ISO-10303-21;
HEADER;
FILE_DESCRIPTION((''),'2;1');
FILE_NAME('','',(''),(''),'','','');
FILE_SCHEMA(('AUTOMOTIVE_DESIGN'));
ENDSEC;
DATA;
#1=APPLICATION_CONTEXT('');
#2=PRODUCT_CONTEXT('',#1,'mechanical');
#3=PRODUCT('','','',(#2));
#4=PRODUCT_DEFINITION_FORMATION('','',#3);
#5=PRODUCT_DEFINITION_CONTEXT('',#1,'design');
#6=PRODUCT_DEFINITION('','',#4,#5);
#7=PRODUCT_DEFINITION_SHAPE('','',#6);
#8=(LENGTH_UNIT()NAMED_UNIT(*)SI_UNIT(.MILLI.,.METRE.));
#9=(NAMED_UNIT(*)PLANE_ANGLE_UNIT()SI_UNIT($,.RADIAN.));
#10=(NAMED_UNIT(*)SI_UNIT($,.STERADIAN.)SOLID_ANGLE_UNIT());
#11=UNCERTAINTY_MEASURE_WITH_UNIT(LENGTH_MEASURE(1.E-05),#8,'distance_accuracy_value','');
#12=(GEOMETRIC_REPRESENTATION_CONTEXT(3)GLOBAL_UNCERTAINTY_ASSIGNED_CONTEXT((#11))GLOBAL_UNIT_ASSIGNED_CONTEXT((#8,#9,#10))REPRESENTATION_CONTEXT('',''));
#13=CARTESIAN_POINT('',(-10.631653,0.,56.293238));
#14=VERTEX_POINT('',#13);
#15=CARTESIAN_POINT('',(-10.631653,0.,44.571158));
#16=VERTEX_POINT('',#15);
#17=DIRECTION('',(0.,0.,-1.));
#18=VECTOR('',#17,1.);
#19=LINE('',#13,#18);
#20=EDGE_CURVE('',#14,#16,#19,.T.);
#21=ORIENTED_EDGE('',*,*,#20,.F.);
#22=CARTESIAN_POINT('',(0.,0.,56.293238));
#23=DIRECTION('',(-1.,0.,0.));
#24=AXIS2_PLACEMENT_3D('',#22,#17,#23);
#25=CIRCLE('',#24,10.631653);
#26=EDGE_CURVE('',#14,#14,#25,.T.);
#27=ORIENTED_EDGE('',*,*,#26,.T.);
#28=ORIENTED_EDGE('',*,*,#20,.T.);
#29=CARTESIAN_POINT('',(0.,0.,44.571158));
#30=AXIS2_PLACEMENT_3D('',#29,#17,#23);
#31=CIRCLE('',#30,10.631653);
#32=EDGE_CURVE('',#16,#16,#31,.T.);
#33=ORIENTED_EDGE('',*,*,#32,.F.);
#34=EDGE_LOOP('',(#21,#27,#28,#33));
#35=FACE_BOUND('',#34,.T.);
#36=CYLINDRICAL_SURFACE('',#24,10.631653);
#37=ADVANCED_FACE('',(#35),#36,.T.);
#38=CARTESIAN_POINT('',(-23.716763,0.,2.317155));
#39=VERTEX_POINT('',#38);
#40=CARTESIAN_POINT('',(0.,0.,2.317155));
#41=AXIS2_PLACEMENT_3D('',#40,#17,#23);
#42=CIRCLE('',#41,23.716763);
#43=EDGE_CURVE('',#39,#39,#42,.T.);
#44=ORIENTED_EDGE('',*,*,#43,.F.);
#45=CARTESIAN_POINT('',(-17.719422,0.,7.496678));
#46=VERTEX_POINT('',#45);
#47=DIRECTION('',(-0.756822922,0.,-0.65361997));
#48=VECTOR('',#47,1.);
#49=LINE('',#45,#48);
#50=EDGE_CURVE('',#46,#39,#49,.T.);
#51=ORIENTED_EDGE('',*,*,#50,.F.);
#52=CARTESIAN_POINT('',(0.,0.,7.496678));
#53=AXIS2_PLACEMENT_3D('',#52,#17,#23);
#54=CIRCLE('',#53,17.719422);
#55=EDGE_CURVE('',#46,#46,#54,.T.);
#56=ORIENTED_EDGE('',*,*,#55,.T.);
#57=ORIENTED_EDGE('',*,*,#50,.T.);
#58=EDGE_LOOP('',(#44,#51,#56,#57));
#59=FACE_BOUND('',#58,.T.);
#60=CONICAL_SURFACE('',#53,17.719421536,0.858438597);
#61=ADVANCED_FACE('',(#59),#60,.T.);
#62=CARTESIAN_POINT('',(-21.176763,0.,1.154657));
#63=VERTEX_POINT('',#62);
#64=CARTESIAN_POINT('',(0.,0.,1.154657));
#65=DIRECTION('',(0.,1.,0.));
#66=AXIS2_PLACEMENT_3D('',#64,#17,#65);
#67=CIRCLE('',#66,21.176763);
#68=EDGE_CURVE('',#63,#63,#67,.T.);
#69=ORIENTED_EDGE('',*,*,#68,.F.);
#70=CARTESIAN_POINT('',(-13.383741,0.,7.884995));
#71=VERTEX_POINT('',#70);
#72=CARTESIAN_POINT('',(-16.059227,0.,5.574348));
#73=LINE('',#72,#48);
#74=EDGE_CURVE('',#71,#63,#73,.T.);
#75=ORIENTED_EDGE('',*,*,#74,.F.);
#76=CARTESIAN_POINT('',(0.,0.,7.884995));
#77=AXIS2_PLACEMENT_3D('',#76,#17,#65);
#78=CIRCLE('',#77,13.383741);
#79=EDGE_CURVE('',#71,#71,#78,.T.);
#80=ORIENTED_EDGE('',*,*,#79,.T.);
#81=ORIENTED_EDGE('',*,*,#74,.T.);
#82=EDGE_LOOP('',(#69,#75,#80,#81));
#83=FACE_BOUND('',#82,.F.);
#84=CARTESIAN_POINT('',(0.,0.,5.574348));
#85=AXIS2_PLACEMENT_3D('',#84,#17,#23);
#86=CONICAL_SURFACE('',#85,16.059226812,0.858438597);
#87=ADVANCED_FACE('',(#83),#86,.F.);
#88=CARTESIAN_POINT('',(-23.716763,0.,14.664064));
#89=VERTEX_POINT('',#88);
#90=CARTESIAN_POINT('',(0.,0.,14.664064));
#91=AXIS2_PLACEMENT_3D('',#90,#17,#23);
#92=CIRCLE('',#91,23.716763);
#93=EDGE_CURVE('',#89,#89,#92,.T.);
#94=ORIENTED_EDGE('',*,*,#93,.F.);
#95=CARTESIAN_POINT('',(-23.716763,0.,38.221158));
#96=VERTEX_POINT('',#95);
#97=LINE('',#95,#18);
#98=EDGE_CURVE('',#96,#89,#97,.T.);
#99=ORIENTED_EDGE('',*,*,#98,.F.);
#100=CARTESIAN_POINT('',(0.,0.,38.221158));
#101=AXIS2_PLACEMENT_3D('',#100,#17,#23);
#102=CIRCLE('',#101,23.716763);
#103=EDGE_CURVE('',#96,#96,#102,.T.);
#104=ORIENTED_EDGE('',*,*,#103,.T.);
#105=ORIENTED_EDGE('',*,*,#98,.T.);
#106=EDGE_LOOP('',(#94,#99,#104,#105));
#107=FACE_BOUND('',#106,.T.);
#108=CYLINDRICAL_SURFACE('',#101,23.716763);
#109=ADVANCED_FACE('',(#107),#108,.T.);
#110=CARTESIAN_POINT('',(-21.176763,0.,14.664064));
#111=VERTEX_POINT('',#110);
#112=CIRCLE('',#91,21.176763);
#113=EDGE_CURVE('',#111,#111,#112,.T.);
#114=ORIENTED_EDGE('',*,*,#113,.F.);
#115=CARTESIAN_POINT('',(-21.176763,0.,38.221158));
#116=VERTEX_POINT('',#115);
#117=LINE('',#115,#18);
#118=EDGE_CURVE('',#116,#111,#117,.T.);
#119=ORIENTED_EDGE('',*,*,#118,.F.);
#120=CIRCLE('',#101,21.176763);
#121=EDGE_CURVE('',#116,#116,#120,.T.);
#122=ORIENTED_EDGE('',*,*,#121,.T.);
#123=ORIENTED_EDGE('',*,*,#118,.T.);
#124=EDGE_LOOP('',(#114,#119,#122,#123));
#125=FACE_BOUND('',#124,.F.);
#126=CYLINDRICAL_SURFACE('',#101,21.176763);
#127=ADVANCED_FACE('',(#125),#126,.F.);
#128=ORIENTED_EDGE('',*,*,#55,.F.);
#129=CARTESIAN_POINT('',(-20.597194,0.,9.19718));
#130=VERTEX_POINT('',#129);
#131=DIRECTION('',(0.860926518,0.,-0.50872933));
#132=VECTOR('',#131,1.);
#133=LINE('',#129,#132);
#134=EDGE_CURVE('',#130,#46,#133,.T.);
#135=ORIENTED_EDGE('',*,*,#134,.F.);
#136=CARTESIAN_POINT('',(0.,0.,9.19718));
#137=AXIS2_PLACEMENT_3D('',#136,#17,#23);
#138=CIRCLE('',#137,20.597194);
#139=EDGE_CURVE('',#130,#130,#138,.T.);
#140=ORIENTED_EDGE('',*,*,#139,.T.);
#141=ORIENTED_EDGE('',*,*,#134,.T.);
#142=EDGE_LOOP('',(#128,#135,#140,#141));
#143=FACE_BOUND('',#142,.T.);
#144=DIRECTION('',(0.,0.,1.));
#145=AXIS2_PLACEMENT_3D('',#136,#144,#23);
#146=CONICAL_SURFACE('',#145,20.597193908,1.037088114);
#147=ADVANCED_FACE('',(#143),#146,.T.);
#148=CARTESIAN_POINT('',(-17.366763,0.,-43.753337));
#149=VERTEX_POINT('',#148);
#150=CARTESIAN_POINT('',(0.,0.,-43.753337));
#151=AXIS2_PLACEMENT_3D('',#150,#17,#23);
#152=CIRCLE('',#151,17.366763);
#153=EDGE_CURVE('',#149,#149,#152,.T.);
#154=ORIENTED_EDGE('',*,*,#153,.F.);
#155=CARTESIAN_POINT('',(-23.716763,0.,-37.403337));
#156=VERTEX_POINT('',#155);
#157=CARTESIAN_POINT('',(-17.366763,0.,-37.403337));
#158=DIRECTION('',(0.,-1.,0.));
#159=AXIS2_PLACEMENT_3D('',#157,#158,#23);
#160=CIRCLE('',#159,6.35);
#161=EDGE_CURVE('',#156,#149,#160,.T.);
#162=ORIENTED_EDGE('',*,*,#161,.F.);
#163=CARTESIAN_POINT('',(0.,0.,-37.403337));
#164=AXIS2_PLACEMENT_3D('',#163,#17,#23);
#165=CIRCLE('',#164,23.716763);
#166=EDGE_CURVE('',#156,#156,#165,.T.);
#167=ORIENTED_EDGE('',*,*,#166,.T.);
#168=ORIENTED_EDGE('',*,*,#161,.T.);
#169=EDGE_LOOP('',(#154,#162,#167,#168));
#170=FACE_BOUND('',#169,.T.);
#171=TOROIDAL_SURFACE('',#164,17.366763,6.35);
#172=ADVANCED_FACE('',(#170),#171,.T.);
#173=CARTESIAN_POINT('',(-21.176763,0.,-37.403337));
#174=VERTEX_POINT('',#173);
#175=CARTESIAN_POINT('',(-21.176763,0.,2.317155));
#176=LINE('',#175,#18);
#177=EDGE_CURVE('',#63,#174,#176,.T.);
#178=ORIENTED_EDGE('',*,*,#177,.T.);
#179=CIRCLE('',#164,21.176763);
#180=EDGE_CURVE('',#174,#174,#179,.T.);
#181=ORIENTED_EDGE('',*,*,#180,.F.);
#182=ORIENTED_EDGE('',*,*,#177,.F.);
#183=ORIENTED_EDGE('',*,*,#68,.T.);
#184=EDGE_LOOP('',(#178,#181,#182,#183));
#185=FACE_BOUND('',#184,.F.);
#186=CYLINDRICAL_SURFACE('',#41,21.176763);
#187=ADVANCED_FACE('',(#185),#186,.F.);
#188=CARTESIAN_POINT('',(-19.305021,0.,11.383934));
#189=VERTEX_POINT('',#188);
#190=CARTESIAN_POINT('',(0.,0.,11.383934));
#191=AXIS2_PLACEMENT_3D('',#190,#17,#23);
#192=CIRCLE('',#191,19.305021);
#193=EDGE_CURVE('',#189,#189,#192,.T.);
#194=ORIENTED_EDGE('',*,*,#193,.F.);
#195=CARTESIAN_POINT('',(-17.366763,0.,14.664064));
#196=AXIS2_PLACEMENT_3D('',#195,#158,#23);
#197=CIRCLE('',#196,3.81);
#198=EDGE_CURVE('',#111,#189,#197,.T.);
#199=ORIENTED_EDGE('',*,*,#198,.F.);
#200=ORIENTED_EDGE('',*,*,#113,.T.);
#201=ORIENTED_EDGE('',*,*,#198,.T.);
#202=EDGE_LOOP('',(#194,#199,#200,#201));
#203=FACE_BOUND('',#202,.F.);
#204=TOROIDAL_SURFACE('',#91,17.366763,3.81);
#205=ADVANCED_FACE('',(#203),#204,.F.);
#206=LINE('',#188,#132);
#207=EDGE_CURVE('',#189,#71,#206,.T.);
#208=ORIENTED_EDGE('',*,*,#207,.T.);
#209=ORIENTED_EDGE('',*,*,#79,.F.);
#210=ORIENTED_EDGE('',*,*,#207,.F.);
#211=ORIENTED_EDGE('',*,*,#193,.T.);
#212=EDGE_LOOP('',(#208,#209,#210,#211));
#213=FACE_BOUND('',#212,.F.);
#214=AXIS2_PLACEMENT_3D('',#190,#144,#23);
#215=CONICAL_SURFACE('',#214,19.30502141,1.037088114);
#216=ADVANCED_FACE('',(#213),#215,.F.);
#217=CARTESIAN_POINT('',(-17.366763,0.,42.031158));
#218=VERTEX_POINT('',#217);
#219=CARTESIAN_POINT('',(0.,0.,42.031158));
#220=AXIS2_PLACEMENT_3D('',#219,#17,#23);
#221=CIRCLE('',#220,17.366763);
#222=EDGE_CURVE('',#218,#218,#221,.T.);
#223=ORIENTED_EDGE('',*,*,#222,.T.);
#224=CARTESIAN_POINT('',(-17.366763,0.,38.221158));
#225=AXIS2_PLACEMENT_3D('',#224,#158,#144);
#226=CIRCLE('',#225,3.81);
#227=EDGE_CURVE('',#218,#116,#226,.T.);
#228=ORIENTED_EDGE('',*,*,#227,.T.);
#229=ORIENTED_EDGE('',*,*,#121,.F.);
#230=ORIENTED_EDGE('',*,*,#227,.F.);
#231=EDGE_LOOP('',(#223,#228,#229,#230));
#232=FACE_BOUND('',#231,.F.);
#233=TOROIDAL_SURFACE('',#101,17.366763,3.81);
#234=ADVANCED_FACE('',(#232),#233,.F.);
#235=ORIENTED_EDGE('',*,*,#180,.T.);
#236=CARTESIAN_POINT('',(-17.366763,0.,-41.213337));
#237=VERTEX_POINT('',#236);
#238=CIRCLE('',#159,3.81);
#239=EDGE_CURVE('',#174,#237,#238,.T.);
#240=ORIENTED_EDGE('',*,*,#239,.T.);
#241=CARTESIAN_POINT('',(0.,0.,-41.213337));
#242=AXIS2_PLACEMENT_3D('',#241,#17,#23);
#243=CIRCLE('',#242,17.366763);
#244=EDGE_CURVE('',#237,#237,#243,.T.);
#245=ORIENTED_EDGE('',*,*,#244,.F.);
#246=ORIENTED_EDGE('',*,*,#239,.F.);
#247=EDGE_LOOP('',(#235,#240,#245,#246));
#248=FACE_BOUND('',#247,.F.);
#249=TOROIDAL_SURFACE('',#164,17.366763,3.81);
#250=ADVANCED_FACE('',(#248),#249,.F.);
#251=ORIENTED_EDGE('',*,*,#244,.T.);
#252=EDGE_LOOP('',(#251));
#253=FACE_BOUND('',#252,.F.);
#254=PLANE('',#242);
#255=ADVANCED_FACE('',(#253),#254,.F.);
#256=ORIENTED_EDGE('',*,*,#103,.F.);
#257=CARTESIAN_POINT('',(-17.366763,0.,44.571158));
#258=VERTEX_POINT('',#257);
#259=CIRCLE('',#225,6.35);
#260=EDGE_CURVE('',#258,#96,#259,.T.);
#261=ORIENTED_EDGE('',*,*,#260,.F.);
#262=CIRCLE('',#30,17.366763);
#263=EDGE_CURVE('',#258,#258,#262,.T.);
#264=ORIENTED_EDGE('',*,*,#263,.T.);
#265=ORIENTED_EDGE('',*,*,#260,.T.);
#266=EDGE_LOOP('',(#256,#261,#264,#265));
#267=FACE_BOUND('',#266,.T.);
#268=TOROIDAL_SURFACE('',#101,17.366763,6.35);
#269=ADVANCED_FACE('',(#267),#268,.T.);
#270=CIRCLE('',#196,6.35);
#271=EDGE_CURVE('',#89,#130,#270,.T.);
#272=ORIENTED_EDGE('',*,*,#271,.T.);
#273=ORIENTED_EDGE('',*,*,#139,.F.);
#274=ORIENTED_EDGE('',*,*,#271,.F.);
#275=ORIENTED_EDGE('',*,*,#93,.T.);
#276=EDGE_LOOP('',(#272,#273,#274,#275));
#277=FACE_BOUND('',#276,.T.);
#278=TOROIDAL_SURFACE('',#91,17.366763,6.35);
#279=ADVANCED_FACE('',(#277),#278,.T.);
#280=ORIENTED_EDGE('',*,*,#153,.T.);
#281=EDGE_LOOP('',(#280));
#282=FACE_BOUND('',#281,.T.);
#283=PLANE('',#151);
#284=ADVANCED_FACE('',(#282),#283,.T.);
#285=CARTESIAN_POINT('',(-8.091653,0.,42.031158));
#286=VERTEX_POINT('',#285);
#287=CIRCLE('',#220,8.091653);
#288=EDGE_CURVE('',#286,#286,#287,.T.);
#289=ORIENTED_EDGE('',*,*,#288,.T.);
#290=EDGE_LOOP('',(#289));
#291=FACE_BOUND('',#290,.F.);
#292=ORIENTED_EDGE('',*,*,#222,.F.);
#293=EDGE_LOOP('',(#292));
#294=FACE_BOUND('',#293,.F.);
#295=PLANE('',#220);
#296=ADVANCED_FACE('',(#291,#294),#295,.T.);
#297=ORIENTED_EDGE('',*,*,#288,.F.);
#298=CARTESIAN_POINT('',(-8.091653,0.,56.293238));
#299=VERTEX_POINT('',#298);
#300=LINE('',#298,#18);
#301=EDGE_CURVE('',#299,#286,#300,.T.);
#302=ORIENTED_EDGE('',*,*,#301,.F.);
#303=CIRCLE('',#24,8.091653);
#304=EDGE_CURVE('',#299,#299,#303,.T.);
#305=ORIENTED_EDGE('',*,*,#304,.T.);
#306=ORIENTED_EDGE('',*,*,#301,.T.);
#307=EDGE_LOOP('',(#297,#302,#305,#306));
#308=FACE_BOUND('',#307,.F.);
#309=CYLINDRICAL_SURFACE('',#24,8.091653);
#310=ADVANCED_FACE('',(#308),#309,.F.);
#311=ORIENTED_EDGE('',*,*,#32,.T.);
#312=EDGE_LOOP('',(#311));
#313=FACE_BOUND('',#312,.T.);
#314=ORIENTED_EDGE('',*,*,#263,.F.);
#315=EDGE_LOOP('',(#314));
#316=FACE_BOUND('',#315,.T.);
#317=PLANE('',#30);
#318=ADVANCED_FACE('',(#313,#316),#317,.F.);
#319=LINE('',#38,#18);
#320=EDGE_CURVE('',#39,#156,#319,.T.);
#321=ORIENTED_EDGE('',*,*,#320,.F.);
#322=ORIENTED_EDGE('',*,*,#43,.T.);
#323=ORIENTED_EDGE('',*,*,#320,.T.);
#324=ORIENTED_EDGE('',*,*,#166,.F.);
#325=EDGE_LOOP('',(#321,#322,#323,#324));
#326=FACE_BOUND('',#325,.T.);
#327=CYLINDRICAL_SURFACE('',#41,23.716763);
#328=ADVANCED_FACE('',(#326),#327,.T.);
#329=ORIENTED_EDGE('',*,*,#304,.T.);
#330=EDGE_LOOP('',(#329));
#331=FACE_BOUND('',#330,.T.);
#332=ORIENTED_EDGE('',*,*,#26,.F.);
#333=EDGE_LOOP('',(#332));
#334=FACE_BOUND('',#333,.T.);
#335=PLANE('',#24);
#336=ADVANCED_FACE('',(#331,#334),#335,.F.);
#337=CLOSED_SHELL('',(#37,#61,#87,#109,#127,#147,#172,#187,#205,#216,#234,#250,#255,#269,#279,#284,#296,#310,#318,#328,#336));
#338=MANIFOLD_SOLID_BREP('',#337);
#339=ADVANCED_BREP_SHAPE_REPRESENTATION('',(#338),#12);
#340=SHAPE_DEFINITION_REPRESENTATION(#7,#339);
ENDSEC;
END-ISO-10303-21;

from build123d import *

# Parameters (mm, degrees)
F2_T = -2.54


with BuildPart() as f1:
    # F0 (on Front) → F1 (revolve)
    with BuildSketch(Plane.XZ):
        with BuildLine():
            Line((0, -43.753337115), (0, 56.2932379544))
            Line((0, 56.2932379544), (-10.6316525489, 56.2932379544))
            Line((-10.6316525489, 56.2932379544), (-10.6316525489, 44.5711575449))
            Line((-10.6316525489, 44.5711575449), (-17.3667626619, 44.5711575449))
            ThreePointArc((-17.3667626619, 44.5711575449), (-21.8568907225, 42.7112856054), (-23.7167626619, 38.2211575449))
            Line((-23.7167626619, 38.2211575449), (-23.7167626619, 14.6640635948))
            ThreePointArc((-23.7167626619, 14.6640635948), (-22.8820023854, 11.516901255), (-20.5971939083, 9.1971802082))
            Line((-20.5971939083, 9.1971802082), (-17.7194215357, 7.4966782704))
            Line((-17.7194215357, 7.4966782704), (-23.7167626619, 2.3171550129))
            Line((-23.7167626619, 2.3171550129), (-23.7167626619, -37.403337115))
            ThreePointArc((-23.7167626619, -37.403337115), (-21.8568907225, -41.8934651756), (-17.3667626619, -43.753337115))
            Line((-17.3667626619, -43.753337115), (0, -43.753337115))
        make_face()
    revolve(axis=Axis((0, 0, 6.2699504197), (0, 0, -1)))

    # F2
    f2_openings = [f1.faces().sort_by_distance(p)[0] for p in [
        (0, 0, 56.293238),
    ]]
    offset(amount=F2_T, openings=f2_openings, kind=Kind.INTERSECTION)


solid = f1.part
